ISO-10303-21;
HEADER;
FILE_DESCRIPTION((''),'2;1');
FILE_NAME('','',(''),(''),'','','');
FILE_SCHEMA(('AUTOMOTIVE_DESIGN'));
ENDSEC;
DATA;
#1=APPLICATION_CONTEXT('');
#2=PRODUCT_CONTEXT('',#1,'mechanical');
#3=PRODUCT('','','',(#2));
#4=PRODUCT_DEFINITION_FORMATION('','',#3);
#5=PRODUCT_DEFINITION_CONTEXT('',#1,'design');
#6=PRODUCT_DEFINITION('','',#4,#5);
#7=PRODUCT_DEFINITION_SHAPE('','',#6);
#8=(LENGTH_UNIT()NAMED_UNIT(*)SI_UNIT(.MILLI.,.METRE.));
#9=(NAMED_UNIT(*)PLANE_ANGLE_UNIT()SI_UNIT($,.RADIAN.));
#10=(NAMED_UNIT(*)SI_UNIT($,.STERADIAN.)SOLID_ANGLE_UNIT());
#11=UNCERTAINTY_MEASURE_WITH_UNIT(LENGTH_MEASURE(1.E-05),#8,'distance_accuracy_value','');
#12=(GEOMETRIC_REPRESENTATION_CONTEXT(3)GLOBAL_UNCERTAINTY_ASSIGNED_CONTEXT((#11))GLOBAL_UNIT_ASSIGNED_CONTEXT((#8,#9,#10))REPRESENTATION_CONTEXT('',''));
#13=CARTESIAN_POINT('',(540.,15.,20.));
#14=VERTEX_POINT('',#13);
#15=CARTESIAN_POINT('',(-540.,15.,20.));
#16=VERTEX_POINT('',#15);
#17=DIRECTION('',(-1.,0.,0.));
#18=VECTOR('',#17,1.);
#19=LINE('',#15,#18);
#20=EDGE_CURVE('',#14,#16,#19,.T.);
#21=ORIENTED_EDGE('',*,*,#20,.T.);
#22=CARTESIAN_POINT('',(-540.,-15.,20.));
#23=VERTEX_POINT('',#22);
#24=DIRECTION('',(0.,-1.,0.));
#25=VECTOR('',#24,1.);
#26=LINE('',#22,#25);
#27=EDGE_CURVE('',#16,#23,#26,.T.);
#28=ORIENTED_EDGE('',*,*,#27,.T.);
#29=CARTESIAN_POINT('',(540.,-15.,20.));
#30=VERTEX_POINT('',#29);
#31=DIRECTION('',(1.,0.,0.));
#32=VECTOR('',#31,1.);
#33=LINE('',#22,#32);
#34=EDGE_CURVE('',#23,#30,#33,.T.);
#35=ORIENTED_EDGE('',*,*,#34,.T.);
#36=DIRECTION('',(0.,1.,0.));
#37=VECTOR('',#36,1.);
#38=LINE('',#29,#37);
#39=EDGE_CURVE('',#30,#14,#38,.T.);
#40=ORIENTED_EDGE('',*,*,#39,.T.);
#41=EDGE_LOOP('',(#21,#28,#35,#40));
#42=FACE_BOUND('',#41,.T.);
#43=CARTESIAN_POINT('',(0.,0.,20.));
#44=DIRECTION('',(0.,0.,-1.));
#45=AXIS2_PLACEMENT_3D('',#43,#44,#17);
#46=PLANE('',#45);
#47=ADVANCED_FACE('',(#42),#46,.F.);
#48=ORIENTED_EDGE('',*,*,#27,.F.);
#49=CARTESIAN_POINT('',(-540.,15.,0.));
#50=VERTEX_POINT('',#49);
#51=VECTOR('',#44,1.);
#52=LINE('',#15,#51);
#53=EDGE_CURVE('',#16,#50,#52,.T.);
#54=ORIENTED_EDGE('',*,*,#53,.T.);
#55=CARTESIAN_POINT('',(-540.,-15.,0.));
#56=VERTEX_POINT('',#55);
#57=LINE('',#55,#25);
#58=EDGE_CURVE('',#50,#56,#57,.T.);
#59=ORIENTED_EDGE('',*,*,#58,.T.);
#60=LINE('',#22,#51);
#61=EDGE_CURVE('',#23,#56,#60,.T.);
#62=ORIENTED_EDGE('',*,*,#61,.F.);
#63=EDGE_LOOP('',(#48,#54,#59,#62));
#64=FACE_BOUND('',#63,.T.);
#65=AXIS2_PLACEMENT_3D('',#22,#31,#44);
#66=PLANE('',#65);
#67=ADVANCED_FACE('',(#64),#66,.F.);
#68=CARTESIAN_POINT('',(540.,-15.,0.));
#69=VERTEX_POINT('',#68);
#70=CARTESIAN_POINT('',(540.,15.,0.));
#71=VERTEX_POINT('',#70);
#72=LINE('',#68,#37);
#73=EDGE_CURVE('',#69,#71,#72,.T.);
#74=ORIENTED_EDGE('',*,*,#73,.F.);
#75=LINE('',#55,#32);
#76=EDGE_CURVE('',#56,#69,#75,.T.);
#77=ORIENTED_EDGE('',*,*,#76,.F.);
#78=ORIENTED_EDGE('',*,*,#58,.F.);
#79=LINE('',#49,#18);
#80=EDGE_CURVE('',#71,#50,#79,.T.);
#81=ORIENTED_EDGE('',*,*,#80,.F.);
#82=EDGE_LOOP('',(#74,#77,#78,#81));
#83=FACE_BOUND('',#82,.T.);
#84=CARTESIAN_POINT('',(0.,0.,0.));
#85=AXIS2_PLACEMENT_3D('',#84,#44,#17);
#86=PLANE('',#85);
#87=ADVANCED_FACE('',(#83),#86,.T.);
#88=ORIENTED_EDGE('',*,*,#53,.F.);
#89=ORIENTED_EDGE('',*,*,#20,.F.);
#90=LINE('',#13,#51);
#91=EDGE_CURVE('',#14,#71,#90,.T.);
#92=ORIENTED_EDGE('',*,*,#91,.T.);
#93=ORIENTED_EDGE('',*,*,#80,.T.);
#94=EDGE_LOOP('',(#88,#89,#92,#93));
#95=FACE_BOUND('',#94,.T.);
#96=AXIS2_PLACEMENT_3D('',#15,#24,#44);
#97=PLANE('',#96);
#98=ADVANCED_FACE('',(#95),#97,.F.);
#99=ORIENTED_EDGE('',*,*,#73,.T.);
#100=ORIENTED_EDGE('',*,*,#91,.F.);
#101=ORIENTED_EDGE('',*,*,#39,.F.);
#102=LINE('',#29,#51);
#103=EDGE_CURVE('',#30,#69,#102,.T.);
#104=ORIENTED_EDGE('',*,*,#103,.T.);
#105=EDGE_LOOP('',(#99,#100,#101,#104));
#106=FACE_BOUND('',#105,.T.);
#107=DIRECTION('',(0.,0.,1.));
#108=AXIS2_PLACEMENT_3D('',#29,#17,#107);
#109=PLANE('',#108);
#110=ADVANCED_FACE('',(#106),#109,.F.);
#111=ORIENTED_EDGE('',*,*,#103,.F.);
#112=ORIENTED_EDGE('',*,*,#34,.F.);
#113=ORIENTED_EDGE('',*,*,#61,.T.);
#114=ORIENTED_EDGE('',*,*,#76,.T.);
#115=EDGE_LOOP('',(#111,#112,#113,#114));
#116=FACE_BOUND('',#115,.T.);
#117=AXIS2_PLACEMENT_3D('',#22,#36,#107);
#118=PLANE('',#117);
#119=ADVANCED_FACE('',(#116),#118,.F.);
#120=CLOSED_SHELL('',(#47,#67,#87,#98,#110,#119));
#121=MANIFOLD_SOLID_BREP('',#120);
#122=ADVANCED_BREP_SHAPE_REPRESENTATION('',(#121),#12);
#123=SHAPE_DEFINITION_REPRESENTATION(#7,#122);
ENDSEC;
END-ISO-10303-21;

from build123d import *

# Parameters (mm, degrees)
SKETCH_1_W      = 1080
SKETCH_1_H      = 30
EXTRUDE_1_DEPTH = 20


with BuildPart() as part:
    # 草图1 → 凸台-拉伸1 (new body)
    with BuildSketch(Plane.XY):
        Rectangle(SKETCH_1_W, SKETCH_1_H)
    extrude(amount=EXTRUDE_1_DEPTH)


solid = part.part
